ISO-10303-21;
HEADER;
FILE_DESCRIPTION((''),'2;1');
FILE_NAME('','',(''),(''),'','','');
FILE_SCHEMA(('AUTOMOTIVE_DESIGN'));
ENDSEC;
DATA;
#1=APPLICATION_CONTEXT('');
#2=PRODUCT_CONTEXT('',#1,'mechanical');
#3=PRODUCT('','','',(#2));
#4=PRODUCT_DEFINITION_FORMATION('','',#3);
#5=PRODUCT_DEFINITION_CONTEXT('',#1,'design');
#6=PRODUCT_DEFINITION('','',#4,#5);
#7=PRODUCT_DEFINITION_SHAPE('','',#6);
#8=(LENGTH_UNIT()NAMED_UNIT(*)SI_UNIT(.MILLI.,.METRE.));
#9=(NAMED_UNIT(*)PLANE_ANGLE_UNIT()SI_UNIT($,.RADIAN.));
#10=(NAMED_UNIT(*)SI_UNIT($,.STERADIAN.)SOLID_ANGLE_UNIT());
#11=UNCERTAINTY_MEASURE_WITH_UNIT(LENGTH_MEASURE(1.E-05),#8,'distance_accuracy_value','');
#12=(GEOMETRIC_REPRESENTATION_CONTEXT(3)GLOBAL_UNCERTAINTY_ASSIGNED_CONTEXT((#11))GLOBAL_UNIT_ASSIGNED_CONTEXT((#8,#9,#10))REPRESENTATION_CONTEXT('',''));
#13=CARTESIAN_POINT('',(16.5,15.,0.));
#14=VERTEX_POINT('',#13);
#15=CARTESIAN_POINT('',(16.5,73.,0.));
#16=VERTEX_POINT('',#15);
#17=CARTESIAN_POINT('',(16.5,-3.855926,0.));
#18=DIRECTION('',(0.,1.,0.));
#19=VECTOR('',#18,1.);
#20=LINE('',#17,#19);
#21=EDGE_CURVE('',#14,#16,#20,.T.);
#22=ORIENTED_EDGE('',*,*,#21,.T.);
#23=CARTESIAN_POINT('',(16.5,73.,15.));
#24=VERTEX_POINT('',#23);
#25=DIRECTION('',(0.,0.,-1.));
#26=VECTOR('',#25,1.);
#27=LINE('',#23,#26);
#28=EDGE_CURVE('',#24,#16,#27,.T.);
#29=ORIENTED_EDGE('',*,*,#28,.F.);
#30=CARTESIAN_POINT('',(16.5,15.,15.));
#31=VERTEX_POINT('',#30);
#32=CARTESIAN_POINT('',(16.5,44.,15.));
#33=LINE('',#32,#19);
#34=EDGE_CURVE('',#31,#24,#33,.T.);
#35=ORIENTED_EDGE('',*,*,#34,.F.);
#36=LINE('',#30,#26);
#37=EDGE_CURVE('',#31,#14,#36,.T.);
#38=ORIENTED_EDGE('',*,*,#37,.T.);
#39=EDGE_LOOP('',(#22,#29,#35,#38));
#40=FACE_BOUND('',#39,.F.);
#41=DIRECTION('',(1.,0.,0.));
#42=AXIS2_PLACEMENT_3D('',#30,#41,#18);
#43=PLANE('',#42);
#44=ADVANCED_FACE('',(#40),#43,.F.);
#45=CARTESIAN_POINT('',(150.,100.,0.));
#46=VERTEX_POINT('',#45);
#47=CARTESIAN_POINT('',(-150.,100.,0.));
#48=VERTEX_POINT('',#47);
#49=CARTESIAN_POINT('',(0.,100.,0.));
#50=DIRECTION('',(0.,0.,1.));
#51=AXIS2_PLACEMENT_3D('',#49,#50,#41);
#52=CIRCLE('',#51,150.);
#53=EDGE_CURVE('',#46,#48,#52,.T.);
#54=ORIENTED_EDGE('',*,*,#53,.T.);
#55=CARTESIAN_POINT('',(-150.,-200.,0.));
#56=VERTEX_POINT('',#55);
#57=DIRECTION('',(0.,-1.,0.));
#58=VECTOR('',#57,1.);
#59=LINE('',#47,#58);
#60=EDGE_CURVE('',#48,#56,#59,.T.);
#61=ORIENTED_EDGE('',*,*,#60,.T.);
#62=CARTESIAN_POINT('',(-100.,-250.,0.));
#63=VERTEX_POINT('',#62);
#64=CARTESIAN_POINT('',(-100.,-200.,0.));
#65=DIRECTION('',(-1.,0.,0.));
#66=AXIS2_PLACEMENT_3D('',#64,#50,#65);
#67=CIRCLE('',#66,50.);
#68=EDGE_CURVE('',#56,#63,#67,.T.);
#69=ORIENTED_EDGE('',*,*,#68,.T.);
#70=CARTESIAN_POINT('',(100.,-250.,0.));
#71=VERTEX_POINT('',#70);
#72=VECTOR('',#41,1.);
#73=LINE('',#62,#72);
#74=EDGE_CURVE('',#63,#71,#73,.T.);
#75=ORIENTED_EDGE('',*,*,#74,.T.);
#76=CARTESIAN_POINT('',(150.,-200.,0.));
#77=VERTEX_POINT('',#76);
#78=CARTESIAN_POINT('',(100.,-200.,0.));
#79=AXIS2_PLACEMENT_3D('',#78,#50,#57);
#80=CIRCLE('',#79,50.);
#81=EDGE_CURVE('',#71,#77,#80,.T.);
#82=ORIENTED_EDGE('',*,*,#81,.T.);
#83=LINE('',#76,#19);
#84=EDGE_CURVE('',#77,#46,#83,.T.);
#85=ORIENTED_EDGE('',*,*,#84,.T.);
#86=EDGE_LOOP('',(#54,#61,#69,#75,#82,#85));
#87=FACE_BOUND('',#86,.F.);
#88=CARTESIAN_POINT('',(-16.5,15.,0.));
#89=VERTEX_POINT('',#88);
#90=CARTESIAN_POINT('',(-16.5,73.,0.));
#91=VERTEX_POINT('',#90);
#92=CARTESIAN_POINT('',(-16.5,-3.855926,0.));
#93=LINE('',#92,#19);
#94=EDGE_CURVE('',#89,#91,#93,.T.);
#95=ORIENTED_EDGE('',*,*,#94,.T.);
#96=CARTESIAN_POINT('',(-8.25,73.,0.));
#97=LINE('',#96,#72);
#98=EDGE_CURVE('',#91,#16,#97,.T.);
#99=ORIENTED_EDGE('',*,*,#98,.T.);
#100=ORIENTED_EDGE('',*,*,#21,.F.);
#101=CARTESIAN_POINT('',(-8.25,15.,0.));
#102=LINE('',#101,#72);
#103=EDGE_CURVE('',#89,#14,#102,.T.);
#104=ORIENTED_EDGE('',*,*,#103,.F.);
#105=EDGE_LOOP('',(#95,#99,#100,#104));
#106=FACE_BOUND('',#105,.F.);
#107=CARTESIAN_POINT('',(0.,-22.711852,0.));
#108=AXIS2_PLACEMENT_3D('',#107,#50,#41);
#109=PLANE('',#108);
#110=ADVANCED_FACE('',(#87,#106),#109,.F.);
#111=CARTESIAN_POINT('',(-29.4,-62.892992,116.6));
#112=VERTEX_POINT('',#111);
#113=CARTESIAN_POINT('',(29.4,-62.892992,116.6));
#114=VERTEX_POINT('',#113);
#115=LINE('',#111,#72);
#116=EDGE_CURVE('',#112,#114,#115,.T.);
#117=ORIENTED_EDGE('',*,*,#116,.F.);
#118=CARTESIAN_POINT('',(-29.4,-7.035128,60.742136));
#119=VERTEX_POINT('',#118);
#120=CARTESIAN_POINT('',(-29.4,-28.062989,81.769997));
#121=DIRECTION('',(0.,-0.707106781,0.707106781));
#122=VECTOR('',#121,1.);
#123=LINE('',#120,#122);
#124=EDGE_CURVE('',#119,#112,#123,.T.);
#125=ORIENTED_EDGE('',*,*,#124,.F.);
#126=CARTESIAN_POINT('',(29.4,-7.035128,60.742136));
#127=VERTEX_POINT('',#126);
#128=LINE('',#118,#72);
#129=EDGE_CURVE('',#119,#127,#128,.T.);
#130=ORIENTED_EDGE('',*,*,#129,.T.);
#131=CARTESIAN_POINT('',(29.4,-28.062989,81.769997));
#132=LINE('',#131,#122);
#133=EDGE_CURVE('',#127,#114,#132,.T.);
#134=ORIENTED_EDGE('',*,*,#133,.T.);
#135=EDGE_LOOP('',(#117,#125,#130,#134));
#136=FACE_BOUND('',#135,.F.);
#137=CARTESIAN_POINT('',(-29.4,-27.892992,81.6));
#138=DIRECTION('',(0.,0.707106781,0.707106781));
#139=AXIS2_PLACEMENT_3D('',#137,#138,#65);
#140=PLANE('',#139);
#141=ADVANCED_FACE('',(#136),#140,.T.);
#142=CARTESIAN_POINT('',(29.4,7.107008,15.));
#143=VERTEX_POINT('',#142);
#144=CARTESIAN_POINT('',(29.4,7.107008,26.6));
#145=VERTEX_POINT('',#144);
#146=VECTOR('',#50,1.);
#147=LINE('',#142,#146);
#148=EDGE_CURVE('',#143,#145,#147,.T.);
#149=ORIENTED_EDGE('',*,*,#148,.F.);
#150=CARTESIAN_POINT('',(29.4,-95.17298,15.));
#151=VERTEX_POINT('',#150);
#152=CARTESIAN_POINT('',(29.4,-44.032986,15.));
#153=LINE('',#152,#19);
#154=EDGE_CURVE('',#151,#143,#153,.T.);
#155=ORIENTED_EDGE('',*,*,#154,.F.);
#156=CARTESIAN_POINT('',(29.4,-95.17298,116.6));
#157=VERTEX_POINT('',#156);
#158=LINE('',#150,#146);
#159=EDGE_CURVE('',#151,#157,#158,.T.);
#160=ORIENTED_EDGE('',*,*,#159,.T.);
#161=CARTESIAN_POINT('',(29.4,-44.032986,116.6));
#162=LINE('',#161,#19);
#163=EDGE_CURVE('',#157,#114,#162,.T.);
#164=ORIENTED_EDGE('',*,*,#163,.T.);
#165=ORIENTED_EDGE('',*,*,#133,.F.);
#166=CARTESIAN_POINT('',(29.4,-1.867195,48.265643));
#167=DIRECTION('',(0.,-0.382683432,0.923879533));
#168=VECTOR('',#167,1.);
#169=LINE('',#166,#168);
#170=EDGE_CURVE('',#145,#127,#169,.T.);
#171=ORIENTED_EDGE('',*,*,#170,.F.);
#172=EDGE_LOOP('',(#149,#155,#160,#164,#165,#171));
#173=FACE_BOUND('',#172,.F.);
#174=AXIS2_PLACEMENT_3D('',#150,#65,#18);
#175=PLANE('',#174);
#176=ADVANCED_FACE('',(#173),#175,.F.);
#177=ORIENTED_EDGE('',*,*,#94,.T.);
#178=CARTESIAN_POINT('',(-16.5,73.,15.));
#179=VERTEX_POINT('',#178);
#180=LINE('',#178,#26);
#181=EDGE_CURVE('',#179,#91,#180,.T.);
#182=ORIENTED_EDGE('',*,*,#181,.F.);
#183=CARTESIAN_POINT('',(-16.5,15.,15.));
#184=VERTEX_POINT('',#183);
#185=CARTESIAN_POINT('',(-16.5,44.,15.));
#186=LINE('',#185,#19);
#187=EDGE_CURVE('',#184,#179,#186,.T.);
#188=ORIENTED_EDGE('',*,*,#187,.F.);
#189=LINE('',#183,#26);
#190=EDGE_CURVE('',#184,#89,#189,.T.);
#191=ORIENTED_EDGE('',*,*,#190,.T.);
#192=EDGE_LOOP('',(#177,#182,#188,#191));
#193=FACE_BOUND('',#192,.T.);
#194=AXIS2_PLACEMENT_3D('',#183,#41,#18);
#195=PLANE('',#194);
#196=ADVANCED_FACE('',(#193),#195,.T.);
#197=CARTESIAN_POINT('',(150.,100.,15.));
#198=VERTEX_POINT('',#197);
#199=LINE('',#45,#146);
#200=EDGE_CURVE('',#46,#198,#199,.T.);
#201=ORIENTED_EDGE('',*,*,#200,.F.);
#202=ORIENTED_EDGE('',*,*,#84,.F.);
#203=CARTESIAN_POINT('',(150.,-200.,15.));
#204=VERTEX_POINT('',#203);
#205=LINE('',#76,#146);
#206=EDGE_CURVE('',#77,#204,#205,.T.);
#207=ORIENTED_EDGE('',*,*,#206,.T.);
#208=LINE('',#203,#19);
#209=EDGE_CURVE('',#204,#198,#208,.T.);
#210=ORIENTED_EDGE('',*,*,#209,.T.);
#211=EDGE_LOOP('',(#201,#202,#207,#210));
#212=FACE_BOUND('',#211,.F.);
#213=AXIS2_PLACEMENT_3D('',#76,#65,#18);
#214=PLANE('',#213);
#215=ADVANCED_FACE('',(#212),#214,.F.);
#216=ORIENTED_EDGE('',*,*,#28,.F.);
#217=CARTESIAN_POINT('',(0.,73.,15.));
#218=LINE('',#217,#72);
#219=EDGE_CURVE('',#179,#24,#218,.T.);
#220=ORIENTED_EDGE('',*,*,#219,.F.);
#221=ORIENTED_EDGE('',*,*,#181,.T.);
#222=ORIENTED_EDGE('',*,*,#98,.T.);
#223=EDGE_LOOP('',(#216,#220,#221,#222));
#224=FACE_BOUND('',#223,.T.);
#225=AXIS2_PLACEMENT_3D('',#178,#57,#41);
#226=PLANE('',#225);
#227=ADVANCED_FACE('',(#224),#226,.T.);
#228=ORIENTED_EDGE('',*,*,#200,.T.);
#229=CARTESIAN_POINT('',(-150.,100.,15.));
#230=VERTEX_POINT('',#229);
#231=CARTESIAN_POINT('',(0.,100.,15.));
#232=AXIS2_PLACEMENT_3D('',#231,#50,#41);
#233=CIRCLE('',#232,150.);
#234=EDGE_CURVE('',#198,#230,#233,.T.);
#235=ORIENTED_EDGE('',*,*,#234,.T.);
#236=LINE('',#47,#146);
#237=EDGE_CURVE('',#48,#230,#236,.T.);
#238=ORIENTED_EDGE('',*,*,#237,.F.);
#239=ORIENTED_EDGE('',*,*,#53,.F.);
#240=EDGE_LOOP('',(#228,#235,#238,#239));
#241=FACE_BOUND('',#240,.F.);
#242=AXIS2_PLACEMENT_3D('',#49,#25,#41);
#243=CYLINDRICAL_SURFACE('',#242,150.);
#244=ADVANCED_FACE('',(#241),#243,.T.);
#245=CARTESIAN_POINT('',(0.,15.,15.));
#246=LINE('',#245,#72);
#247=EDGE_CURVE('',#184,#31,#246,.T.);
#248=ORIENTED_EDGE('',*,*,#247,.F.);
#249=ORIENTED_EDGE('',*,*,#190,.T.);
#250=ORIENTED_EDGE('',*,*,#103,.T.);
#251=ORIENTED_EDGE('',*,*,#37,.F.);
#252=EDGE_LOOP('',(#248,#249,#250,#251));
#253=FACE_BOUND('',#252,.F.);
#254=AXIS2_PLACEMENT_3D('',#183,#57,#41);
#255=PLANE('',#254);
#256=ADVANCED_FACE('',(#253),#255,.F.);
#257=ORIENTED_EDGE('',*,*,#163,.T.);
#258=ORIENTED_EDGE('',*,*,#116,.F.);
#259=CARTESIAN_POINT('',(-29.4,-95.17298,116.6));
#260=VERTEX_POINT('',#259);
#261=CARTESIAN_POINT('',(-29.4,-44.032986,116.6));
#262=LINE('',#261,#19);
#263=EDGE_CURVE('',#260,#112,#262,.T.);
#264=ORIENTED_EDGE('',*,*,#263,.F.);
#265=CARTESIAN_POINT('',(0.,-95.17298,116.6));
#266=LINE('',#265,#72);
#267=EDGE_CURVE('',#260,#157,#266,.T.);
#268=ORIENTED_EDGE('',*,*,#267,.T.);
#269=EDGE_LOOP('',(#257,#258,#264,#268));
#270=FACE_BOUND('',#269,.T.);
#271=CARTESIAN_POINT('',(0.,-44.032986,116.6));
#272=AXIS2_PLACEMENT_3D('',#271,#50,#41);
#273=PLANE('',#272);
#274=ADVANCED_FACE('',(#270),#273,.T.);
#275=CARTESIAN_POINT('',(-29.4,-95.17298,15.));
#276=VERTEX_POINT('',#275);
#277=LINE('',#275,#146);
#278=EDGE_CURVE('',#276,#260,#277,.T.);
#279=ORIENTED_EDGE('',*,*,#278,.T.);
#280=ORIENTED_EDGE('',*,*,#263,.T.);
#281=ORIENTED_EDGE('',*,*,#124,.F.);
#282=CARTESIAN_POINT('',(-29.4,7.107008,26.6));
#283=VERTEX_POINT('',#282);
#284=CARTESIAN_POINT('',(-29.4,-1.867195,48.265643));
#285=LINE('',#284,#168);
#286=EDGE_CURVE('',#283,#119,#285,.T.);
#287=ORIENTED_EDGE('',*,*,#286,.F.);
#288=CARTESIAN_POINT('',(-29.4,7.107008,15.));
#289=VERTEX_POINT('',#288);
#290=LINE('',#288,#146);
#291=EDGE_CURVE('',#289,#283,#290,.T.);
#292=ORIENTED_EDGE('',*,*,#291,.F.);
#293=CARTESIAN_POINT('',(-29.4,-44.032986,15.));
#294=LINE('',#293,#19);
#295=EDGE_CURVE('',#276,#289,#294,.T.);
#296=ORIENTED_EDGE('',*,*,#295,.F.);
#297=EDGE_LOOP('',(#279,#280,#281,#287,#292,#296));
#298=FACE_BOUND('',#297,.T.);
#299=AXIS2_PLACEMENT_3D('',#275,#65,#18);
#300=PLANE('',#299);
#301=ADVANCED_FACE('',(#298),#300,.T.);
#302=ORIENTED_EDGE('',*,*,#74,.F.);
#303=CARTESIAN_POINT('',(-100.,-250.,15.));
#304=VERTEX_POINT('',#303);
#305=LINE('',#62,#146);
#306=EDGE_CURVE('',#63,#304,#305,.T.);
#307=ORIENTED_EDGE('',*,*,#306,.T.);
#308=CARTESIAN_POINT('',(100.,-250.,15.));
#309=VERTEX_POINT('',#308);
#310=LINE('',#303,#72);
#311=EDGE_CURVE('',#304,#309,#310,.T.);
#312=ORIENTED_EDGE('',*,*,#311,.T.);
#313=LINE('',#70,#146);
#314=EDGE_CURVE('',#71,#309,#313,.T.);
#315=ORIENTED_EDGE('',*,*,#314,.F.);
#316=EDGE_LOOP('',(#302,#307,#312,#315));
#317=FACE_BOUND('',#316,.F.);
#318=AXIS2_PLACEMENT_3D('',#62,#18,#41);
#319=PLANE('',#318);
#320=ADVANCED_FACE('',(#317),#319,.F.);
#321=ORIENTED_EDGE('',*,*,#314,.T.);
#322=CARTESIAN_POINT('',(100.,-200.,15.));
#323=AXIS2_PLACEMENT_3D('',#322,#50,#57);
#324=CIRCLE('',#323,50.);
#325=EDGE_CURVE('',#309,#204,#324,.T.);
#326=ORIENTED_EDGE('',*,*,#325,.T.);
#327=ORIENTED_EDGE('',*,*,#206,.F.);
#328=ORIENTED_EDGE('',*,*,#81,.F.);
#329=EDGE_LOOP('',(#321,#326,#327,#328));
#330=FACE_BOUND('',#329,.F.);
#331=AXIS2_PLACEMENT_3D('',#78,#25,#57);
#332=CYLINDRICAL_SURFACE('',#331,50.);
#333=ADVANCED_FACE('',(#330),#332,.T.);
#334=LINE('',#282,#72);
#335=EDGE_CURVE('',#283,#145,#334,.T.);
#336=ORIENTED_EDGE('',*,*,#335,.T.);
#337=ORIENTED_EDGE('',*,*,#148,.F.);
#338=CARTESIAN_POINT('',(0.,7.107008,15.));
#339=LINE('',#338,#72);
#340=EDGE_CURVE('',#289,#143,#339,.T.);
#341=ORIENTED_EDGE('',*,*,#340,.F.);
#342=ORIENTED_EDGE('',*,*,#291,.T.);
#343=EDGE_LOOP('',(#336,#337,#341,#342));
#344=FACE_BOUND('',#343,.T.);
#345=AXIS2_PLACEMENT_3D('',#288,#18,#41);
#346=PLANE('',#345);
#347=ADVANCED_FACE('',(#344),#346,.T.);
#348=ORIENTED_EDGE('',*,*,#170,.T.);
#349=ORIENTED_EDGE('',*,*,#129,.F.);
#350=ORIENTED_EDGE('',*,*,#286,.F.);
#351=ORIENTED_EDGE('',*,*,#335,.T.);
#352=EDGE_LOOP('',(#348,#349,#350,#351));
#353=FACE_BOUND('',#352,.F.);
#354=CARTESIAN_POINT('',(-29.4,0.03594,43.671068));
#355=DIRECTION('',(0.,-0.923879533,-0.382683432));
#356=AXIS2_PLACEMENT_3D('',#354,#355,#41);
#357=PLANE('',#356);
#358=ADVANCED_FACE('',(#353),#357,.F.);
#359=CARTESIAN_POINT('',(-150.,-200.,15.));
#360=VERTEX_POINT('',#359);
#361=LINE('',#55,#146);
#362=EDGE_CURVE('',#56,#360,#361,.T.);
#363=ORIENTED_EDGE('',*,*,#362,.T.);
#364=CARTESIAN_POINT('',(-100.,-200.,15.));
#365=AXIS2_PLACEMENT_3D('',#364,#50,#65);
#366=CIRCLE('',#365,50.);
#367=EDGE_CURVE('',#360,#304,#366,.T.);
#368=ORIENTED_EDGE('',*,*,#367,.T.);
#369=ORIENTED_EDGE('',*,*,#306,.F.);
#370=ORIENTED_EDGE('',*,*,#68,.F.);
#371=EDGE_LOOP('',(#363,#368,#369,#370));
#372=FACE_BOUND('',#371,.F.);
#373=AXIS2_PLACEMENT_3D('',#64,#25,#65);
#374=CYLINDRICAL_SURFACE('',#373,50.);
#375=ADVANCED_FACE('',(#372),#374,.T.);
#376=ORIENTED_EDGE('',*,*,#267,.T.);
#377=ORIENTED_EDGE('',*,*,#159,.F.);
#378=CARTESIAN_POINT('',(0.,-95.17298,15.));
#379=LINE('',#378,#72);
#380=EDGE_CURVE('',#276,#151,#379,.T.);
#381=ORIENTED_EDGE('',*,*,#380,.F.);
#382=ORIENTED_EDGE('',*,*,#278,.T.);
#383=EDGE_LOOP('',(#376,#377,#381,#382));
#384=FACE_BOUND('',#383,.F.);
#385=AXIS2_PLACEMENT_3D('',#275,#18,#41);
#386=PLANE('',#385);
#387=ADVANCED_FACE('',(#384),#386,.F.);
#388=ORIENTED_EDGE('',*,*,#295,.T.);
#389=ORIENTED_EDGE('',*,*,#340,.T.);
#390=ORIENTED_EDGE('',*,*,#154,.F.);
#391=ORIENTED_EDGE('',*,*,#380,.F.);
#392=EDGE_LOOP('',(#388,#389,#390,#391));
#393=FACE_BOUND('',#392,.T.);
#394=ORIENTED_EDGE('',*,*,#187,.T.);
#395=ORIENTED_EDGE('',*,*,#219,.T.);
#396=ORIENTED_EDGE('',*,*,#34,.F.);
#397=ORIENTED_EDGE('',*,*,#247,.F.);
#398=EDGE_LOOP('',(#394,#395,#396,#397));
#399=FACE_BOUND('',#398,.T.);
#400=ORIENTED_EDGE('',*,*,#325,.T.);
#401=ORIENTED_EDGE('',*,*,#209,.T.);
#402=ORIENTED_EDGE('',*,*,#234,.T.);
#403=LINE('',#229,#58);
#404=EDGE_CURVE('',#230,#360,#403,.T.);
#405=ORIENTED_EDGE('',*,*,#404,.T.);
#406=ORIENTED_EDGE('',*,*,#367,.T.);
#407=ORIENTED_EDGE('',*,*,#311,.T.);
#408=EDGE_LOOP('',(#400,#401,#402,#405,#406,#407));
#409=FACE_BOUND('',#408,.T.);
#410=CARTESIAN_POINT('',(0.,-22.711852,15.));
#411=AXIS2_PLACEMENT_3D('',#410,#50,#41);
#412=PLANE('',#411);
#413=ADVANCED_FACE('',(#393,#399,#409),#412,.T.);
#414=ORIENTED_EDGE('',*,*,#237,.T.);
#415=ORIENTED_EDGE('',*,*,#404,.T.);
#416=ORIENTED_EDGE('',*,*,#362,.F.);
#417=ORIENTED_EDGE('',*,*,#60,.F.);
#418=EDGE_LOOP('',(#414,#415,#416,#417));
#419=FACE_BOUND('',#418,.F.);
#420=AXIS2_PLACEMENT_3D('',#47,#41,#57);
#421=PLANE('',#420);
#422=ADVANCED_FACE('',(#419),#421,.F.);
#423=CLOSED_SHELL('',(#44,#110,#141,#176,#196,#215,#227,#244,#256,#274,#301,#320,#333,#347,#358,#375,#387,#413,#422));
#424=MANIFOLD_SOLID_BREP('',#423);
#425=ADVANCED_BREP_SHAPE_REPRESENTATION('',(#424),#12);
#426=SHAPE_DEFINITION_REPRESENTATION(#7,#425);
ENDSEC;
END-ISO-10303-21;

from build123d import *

# Parameters (mm, degrees)
F1_DEPTH = 15
F2_W     = 33
F2_H     = 58
F3_DEPTH = 15.001
F4_W     = 58.8
F4_H     = 102.2799882368
F5_DEPTH = 101.6
F6_SIZE  = 70
F7_SIZE  = 20


with BuildPart() as f1:
    # F0 (on Top) → F1 (new body)
    with BuildSketch(Plane.XY):
        with BuildLine():
            Line((-100, -250), (100, -250))
            ThreePointArc((100, -250), (135.3553390593, -235.3553390593), (150, -200))
            Line((150, -200), (150, 100))
            ThreePointArc((150, 100), (0, 250), (-150, 100))
            Line((-150, 100), (-150, -200))
            ThreePointArc((-150, -200), (-135.3553390593, -235.3553390593), (-100, -250))
        make_face()
    extrude(amount=F1_DEPTH)

    # F2 (on face) → F3 (cut, through all)
    with BuildSketch(Plane.XY.offset(15)):
        with Locations((0, 44)):
            Rectangle(F2_W, F2_H)
    extrude(amount=-F3_DEPTH, mode=Mode.SUBTRACT)

    # F4 (on face) → F5 (join)
    with BuildSketch(Plane.XY.offset(15)):
        with Locations((0, -44.0329860869)):
            Rectangle(F4_W, F4_H)
    extrude(amount=F5_DEPTH)

    # F6
    f6_edges = [f1.edges().sort_by_distance(p)[0] for p in [
        (0, 7.107008, 116.6),
    ]]
    chamfer(f6_edges, length=F6_SIZE)

    # F7
    f7_edges = [f1.edges().sort_by_distance(p)[0] for p in [
        (0, 7.107008, 46.6),
    ]]
    chamfer(f7_edges, length=F7_SIZE)


solid = f1.part
